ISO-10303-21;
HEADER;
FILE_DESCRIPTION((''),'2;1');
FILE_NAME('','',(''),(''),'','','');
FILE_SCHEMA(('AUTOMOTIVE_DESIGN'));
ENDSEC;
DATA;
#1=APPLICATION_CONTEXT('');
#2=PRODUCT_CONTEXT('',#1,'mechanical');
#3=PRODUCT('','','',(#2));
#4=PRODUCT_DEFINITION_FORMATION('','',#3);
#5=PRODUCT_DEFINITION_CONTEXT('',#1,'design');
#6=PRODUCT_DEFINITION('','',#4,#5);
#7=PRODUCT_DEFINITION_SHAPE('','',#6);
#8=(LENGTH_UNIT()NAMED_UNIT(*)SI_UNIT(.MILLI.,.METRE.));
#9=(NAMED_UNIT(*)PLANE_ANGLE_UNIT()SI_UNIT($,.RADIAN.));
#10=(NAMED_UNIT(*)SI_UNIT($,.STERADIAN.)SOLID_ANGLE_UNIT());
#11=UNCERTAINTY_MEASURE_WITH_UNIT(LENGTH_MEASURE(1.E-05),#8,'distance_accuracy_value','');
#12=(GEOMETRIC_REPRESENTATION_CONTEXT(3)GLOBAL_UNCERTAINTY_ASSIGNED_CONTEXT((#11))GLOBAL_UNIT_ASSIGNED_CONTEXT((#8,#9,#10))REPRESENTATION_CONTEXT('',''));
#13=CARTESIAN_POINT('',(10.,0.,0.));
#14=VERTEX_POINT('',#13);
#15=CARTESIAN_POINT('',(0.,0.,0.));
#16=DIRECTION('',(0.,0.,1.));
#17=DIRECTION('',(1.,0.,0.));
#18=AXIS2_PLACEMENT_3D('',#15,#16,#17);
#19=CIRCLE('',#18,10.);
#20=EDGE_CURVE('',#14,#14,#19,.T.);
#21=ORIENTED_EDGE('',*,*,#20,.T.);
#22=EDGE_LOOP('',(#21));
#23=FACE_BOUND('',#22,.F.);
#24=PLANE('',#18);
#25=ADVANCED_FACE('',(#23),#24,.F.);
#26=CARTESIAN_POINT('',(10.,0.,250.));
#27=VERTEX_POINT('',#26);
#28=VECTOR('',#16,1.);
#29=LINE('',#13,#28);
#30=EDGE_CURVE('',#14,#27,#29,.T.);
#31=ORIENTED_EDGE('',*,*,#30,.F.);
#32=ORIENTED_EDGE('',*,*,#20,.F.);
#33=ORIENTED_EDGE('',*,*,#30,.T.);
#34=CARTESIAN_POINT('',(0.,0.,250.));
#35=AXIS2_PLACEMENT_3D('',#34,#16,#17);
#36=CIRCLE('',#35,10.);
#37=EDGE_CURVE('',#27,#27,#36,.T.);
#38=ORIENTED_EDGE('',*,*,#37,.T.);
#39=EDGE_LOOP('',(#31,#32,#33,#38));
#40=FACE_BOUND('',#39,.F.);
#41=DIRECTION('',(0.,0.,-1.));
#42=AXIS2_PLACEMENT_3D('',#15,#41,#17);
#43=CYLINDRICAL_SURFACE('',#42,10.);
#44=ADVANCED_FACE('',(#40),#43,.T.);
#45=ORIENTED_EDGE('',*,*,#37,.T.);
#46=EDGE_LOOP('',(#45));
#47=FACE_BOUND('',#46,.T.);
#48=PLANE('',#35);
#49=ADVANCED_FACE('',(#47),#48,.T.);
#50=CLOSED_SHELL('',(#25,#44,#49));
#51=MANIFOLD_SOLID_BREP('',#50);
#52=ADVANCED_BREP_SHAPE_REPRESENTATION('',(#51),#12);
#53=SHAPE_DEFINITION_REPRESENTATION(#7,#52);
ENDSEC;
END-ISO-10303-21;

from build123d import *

# Parameters (mm, degrees)
SKIZZE1_R                       = 10
AUFSATZ_LINEAR_AUSTRAGEN1_DEPTH = 250


with BuildPart() as part:
    # Skizze1 → Aufsatz-Linear austragen1 (new body)
    with BuildSketch(Plane.XY):
        Circle(SKIZZE1_R)
    extrude(amount=AUFSATZ_LINEAR_AUSTRAGEN1_DEPTH)


solid = part.part
